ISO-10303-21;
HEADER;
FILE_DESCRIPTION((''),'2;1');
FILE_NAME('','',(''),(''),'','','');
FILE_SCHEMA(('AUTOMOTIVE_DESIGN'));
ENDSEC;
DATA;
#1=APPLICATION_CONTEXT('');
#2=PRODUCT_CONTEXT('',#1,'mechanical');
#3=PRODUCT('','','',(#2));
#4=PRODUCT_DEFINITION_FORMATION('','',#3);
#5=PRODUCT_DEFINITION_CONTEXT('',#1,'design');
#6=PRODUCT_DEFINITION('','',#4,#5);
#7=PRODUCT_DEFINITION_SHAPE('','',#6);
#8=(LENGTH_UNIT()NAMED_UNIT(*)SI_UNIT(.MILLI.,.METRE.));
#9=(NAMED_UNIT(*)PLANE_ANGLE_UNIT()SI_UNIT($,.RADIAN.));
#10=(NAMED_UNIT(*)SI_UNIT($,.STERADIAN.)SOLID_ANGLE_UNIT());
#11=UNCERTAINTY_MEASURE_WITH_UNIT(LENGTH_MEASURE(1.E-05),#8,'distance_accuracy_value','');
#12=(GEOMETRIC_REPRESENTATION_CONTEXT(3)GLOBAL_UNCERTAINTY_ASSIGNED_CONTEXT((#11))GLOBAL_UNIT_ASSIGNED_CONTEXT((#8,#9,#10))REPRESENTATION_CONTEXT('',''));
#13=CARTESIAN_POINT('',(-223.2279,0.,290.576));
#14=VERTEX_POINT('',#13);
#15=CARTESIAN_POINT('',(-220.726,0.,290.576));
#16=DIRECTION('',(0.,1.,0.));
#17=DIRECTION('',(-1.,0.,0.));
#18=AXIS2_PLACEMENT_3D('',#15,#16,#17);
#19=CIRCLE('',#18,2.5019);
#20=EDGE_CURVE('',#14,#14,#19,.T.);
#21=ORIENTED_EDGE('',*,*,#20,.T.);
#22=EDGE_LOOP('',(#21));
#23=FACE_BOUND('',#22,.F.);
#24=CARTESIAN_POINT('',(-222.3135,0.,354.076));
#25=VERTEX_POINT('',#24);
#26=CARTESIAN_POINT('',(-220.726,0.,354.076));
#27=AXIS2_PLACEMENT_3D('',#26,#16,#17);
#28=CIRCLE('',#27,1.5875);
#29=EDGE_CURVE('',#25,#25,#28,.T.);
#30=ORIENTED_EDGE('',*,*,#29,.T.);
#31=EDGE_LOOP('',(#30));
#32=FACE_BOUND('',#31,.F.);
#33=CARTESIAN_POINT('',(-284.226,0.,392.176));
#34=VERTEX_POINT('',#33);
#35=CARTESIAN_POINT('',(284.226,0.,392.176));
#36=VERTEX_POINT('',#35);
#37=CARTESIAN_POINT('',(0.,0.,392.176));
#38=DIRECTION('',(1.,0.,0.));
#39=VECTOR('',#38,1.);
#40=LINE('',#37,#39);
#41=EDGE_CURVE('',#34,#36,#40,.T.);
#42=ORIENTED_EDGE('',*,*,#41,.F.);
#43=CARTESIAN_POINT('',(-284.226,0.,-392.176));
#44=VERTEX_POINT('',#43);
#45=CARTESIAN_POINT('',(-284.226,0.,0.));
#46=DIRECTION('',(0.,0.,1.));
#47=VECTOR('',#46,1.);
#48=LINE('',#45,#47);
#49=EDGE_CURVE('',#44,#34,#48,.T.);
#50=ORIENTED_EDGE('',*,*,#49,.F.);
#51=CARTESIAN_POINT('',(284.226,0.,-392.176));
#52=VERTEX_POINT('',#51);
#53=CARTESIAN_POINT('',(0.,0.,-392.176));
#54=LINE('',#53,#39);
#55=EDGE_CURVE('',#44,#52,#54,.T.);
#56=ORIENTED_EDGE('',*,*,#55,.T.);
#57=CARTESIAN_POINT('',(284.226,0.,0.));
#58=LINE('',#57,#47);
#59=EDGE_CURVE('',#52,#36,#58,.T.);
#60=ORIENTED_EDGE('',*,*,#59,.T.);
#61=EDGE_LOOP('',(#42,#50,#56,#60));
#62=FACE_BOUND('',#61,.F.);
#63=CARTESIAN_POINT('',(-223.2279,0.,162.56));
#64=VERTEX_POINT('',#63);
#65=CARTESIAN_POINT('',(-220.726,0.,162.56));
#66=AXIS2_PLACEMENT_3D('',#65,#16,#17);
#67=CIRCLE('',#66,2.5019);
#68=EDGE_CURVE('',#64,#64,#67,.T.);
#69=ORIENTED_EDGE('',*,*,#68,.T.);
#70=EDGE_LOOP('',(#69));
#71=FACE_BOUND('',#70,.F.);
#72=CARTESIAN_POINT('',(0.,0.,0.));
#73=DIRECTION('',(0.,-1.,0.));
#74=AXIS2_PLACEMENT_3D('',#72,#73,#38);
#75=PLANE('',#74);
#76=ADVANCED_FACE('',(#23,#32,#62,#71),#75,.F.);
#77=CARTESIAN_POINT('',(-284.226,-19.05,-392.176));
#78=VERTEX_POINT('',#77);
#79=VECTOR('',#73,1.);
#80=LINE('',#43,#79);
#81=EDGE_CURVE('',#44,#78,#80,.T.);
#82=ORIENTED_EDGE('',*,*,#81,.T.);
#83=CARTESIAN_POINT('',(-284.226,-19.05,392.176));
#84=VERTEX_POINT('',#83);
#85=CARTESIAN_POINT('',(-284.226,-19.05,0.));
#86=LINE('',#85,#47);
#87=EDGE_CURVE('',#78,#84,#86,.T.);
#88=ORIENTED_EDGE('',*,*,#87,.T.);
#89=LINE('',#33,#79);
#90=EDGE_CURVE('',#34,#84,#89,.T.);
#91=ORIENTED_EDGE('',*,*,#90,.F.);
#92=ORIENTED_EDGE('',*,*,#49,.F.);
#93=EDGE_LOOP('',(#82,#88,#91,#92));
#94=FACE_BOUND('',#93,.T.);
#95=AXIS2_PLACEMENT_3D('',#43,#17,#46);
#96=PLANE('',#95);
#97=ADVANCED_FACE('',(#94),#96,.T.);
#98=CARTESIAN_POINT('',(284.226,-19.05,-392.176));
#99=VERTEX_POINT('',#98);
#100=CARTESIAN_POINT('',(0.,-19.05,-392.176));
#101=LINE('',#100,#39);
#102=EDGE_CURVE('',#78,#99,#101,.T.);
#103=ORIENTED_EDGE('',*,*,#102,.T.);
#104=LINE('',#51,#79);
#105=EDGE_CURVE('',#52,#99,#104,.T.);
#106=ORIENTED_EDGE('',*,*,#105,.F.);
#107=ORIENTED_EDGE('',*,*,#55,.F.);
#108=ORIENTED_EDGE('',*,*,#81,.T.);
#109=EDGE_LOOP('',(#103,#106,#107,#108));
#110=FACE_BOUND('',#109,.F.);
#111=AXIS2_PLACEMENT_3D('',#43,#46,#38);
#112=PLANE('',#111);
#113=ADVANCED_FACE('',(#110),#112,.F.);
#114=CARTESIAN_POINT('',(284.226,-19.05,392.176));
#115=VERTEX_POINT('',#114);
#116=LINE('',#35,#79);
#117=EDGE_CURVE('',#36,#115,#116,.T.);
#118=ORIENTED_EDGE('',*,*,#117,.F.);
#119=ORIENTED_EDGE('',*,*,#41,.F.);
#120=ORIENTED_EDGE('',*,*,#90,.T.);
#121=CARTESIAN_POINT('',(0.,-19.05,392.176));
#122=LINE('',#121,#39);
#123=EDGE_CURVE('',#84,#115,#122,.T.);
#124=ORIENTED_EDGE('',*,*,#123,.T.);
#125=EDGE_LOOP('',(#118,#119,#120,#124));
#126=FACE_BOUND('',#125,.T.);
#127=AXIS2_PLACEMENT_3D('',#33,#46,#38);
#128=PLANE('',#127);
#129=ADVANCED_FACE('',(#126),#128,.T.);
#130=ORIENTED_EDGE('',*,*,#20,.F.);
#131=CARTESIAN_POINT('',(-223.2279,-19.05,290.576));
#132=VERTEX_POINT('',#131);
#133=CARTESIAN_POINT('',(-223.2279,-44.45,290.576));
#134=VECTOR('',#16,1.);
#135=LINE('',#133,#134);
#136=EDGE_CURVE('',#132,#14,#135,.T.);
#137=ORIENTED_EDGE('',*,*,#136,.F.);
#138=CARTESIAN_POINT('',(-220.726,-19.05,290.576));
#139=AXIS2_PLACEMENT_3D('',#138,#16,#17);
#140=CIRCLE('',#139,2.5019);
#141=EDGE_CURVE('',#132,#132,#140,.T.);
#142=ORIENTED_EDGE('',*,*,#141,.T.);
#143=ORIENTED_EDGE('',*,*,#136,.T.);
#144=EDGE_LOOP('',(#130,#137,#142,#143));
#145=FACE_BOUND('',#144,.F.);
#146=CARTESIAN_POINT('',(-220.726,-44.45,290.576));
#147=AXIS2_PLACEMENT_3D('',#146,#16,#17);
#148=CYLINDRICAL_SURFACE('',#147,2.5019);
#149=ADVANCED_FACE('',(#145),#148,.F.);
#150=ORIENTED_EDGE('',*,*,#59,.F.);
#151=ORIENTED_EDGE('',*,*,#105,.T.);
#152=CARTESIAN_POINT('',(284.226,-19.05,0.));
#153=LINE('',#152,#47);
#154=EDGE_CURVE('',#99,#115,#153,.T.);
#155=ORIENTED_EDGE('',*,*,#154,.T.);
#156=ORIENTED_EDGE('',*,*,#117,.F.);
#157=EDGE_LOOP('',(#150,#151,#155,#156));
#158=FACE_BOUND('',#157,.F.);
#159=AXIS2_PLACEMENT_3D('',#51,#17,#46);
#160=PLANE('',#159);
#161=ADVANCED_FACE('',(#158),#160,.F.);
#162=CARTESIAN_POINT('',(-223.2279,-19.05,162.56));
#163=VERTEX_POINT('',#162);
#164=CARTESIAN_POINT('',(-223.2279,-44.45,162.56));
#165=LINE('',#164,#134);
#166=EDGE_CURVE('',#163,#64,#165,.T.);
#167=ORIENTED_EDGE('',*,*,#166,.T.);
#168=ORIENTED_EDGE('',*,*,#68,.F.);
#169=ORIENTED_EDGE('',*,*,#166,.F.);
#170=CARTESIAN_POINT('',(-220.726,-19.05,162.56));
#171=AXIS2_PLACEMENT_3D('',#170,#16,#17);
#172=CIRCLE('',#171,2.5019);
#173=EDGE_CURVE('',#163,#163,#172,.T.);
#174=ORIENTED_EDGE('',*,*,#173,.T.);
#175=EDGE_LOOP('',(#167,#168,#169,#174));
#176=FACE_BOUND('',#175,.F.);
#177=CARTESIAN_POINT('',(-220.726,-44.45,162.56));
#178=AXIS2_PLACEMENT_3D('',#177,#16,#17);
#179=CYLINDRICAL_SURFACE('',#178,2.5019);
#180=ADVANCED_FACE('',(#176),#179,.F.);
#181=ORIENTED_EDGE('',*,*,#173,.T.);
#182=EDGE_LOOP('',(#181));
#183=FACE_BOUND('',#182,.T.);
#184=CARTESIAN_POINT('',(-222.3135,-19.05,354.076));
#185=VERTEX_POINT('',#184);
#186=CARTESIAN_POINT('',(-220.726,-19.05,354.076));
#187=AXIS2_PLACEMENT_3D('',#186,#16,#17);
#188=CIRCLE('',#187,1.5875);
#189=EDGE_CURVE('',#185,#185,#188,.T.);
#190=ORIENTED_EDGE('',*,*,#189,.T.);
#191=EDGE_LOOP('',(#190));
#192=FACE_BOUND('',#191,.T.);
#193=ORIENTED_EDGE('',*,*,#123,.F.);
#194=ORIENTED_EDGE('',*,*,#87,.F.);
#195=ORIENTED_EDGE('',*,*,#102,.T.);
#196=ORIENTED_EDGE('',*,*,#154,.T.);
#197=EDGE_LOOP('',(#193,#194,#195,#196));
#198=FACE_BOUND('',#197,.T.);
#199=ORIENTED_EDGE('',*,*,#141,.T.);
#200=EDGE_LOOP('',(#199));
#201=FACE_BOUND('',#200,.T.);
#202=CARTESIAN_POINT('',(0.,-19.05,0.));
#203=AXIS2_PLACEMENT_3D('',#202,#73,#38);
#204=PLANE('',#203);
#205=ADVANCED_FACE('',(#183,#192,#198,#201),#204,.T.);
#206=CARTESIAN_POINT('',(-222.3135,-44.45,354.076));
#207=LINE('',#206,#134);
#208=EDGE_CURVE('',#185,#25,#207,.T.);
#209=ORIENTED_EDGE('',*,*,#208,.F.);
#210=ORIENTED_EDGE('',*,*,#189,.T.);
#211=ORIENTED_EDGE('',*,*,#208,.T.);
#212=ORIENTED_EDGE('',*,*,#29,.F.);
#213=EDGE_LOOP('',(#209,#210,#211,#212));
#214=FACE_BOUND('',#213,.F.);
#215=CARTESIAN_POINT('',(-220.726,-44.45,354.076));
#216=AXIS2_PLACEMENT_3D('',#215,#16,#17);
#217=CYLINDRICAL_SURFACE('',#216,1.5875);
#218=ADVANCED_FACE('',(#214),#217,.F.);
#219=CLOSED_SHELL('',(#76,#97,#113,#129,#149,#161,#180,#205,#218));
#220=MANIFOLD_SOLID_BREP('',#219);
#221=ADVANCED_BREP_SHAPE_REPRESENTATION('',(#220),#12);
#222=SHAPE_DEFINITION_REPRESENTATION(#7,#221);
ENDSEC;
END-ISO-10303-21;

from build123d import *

# Parameters (mm, degrees)
F0_W     = 568.452
F0_H     = 784.352
F1_DEPTH = 19.05
F3_D     = 5.0038
F3_DEPTH = 25.4
F5_D     = 3.175
F5_DEPTH = 25.4


with BuildPart() as f1:
    # F0 (on Front) → F1 (new body)
    with BuildSketch(Plane.XZ):
        Rectangle(F0_W, F0_H)
    extrude(amount=F1_DEPTH)

    # F3
    with Locations(Plane.XZ.offset(19.05)):
        with Locations((-220.726, 290.576), (-220.726, 162.56)):
            Hole(F3_D / 2, depth=F3_DEPTH)

    # F5
    with Locations(Plane.XZ.offset(19.05)):
        with Locations((-220.726, 354.076)):
            Hole(F5_D / 2, depth=F5_DEPTH)


solid = f1.part
